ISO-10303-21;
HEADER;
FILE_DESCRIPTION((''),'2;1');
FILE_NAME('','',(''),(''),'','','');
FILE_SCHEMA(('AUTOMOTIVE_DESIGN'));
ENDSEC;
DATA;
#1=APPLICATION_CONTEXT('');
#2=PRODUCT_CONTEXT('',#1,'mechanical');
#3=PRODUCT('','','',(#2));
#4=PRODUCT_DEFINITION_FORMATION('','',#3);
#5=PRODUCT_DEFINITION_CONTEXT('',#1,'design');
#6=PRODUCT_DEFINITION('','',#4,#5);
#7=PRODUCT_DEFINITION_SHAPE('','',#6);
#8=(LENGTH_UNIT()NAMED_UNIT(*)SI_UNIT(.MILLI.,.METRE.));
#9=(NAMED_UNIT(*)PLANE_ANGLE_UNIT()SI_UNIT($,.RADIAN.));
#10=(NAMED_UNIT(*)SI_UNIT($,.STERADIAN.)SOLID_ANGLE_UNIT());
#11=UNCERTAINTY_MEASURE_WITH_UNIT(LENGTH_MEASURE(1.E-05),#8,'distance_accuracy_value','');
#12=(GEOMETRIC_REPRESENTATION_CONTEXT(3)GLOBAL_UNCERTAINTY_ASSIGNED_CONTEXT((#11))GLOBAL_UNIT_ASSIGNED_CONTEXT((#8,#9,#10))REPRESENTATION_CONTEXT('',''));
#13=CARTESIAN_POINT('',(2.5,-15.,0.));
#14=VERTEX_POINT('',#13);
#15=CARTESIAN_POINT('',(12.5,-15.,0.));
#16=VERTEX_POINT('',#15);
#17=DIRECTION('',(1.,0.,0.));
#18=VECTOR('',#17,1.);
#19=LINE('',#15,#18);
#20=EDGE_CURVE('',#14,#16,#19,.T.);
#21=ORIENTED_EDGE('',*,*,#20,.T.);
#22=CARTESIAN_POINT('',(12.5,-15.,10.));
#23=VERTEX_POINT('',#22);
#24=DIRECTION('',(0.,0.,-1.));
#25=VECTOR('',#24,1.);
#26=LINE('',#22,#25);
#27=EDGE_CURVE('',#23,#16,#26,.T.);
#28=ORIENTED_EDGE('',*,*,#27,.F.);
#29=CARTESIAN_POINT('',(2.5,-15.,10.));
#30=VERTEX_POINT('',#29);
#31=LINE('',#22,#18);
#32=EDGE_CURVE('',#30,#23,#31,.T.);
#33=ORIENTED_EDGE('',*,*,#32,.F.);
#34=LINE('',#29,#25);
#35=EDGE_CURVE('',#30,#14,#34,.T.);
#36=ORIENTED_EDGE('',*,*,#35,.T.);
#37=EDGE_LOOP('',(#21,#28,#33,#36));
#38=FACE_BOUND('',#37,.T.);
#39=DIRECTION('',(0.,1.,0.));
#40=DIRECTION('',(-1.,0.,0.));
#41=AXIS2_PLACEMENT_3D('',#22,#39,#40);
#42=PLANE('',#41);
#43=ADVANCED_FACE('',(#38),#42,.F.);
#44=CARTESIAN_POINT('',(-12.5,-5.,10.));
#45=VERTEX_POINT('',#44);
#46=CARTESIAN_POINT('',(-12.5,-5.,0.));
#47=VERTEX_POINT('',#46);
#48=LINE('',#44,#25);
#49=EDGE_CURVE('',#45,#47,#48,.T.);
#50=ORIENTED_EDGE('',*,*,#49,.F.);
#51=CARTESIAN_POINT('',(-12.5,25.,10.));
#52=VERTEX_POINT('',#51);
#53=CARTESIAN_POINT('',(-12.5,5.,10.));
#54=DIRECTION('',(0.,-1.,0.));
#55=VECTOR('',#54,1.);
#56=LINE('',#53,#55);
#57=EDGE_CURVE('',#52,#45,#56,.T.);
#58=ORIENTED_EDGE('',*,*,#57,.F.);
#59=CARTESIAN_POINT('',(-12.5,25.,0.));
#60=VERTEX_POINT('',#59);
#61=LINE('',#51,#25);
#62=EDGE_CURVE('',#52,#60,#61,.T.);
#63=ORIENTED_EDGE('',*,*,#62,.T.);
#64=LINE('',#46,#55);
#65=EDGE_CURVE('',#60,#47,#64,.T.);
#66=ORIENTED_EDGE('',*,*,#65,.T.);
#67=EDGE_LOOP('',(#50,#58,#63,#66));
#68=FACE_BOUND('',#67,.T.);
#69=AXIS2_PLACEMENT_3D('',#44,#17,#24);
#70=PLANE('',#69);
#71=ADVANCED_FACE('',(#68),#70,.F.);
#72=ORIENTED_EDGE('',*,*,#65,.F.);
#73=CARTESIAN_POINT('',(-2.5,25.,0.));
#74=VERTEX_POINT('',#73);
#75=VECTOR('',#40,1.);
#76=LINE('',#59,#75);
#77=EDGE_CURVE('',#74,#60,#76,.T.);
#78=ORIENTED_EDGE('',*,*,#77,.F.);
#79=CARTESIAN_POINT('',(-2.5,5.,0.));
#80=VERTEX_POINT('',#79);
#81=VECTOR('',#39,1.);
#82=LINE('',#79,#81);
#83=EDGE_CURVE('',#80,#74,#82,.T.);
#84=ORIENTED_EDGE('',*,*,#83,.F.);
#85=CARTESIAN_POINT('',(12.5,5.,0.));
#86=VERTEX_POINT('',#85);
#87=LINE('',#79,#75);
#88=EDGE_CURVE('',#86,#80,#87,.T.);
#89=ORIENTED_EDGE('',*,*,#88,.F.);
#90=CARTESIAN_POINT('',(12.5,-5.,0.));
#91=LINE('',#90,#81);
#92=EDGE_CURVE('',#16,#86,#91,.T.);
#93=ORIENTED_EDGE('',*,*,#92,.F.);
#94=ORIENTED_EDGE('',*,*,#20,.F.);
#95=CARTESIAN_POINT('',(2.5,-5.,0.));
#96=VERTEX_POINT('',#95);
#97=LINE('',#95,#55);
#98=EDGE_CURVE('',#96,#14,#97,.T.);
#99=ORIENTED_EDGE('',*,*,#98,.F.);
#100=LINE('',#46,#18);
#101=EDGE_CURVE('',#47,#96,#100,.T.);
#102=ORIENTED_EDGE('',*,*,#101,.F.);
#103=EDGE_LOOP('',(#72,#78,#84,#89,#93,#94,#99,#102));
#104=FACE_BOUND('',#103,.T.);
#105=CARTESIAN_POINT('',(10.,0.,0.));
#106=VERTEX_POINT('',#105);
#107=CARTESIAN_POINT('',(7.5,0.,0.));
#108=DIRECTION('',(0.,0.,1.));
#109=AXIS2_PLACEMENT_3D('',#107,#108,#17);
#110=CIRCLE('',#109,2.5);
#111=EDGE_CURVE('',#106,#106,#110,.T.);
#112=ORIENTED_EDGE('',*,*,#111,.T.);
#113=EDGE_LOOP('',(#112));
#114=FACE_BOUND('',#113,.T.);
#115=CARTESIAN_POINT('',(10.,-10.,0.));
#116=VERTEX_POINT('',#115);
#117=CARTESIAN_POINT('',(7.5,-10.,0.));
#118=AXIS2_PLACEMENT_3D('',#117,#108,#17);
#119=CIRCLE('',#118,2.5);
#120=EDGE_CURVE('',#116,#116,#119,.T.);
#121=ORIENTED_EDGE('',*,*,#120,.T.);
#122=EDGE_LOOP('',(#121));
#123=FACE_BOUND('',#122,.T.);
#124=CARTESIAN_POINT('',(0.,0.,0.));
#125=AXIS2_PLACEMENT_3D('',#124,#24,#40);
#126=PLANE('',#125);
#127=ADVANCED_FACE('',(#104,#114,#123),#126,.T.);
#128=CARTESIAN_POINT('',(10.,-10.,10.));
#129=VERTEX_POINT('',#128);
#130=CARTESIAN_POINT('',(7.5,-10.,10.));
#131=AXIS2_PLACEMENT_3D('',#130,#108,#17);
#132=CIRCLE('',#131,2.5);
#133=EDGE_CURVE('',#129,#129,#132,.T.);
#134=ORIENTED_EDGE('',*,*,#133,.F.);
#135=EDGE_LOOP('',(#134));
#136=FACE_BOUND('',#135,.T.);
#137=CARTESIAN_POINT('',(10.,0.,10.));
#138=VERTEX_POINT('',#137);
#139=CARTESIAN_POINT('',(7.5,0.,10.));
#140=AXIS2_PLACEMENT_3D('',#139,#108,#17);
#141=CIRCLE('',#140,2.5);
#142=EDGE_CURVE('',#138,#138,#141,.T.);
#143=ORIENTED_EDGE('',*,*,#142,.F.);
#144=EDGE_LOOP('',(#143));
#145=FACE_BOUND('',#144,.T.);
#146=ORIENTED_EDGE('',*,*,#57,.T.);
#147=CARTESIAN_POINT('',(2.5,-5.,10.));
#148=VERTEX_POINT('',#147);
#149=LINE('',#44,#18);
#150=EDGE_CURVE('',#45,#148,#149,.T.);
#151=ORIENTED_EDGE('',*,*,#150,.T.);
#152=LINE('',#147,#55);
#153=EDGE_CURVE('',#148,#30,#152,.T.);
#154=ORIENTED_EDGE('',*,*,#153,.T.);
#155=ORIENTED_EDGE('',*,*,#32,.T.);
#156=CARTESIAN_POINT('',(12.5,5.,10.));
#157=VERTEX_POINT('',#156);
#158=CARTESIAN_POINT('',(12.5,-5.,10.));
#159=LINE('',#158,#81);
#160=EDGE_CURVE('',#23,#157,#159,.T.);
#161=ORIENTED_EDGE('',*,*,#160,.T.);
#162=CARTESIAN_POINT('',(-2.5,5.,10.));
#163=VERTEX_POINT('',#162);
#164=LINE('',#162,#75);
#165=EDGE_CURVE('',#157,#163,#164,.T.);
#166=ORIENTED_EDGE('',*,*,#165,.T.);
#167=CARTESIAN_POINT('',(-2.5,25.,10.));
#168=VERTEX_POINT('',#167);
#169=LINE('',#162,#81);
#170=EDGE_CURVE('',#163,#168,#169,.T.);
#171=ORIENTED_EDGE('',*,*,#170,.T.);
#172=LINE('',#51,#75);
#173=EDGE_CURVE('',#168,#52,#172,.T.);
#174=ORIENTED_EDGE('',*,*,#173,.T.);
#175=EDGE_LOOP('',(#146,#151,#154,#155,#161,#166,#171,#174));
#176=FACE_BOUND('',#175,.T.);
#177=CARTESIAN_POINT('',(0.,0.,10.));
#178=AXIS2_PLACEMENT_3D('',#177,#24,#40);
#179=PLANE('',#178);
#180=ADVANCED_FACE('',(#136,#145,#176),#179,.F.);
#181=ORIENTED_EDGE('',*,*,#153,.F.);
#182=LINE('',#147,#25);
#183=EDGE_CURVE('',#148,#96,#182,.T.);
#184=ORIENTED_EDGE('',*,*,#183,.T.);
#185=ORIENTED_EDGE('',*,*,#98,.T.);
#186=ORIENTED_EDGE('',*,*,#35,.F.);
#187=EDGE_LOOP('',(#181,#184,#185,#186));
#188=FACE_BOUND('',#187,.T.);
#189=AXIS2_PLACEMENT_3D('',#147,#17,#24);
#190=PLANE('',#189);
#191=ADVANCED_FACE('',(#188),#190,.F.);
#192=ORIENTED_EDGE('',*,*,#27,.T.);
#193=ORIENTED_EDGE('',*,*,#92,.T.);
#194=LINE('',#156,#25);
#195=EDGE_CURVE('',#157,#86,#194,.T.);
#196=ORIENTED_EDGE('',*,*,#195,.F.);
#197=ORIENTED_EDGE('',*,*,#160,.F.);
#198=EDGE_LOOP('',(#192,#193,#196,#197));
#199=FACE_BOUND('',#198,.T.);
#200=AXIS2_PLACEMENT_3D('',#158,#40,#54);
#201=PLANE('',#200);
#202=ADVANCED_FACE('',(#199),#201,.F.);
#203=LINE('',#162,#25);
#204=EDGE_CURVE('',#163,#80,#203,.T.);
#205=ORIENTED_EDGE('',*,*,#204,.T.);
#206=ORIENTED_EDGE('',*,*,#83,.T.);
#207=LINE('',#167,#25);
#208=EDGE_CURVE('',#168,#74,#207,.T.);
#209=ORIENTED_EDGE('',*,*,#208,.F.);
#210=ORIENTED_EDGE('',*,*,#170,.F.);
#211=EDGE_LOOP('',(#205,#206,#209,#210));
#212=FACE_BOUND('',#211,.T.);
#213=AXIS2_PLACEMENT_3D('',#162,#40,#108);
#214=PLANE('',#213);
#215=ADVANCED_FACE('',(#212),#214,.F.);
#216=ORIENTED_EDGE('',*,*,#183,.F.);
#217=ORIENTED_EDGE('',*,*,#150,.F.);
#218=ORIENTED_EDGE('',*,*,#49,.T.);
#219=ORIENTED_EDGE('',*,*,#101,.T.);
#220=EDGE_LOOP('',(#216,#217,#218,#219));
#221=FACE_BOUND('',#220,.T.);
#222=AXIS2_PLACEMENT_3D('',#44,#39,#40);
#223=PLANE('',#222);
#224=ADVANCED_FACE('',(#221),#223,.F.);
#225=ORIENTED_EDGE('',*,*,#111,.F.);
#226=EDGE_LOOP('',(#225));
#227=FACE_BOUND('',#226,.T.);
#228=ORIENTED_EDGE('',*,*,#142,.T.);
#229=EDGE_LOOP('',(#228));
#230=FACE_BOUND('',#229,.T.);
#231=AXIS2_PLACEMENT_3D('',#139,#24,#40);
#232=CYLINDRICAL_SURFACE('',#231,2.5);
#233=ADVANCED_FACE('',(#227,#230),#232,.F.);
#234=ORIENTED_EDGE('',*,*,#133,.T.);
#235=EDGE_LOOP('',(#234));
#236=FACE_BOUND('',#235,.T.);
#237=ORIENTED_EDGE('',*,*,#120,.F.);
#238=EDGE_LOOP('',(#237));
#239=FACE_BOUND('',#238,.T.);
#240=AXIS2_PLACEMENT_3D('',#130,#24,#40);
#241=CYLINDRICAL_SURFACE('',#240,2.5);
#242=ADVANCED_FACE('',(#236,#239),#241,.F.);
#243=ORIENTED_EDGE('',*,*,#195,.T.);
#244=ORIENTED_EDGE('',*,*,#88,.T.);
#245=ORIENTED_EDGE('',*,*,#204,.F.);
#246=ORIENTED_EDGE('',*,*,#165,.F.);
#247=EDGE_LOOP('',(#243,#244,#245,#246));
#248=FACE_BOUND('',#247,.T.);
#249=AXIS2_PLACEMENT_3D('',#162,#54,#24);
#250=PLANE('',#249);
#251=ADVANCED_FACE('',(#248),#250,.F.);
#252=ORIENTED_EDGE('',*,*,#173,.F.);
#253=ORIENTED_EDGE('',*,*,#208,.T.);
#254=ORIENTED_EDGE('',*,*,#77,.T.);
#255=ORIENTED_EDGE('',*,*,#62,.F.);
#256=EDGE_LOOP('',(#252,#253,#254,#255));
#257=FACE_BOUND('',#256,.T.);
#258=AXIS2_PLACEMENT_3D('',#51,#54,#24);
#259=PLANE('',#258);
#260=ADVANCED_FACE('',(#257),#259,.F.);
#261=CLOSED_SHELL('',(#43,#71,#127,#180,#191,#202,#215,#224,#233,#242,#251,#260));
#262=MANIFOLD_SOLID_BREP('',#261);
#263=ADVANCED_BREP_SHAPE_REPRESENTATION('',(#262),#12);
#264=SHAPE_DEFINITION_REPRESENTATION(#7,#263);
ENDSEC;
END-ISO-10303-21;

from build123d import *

# Parameters (mm, degrees)
ESQUISSE1_R        = 2.5
BOSS_EXTRU_1_DEPTH = 10


with BuildPart() as part:
    # Esquisse1 → Boss.-Extru.1 (new body)
    with BuildSketch(Plane.XY):
        Polygon((-12.5, -5), (2.5, -5), (2.5, -15), (12.5, -15), (12.5, -5), (12.5, 5), (-2.5, 5), (-2.5, 25), (-12.5, 25), (-12.5, 5), align=None)
        with Locations((7.5, -10)):
            Circle(ESQUISSE1_R, mode=Mode.SUBTRACT)
        with Locations((7.5, 0)):
            Circle(ESQUISSE1_R, mode=Mode.SUBTRACT)
    extrude(amount=BOSS_EXTRU_1_DEPTH)


solid = part.part
